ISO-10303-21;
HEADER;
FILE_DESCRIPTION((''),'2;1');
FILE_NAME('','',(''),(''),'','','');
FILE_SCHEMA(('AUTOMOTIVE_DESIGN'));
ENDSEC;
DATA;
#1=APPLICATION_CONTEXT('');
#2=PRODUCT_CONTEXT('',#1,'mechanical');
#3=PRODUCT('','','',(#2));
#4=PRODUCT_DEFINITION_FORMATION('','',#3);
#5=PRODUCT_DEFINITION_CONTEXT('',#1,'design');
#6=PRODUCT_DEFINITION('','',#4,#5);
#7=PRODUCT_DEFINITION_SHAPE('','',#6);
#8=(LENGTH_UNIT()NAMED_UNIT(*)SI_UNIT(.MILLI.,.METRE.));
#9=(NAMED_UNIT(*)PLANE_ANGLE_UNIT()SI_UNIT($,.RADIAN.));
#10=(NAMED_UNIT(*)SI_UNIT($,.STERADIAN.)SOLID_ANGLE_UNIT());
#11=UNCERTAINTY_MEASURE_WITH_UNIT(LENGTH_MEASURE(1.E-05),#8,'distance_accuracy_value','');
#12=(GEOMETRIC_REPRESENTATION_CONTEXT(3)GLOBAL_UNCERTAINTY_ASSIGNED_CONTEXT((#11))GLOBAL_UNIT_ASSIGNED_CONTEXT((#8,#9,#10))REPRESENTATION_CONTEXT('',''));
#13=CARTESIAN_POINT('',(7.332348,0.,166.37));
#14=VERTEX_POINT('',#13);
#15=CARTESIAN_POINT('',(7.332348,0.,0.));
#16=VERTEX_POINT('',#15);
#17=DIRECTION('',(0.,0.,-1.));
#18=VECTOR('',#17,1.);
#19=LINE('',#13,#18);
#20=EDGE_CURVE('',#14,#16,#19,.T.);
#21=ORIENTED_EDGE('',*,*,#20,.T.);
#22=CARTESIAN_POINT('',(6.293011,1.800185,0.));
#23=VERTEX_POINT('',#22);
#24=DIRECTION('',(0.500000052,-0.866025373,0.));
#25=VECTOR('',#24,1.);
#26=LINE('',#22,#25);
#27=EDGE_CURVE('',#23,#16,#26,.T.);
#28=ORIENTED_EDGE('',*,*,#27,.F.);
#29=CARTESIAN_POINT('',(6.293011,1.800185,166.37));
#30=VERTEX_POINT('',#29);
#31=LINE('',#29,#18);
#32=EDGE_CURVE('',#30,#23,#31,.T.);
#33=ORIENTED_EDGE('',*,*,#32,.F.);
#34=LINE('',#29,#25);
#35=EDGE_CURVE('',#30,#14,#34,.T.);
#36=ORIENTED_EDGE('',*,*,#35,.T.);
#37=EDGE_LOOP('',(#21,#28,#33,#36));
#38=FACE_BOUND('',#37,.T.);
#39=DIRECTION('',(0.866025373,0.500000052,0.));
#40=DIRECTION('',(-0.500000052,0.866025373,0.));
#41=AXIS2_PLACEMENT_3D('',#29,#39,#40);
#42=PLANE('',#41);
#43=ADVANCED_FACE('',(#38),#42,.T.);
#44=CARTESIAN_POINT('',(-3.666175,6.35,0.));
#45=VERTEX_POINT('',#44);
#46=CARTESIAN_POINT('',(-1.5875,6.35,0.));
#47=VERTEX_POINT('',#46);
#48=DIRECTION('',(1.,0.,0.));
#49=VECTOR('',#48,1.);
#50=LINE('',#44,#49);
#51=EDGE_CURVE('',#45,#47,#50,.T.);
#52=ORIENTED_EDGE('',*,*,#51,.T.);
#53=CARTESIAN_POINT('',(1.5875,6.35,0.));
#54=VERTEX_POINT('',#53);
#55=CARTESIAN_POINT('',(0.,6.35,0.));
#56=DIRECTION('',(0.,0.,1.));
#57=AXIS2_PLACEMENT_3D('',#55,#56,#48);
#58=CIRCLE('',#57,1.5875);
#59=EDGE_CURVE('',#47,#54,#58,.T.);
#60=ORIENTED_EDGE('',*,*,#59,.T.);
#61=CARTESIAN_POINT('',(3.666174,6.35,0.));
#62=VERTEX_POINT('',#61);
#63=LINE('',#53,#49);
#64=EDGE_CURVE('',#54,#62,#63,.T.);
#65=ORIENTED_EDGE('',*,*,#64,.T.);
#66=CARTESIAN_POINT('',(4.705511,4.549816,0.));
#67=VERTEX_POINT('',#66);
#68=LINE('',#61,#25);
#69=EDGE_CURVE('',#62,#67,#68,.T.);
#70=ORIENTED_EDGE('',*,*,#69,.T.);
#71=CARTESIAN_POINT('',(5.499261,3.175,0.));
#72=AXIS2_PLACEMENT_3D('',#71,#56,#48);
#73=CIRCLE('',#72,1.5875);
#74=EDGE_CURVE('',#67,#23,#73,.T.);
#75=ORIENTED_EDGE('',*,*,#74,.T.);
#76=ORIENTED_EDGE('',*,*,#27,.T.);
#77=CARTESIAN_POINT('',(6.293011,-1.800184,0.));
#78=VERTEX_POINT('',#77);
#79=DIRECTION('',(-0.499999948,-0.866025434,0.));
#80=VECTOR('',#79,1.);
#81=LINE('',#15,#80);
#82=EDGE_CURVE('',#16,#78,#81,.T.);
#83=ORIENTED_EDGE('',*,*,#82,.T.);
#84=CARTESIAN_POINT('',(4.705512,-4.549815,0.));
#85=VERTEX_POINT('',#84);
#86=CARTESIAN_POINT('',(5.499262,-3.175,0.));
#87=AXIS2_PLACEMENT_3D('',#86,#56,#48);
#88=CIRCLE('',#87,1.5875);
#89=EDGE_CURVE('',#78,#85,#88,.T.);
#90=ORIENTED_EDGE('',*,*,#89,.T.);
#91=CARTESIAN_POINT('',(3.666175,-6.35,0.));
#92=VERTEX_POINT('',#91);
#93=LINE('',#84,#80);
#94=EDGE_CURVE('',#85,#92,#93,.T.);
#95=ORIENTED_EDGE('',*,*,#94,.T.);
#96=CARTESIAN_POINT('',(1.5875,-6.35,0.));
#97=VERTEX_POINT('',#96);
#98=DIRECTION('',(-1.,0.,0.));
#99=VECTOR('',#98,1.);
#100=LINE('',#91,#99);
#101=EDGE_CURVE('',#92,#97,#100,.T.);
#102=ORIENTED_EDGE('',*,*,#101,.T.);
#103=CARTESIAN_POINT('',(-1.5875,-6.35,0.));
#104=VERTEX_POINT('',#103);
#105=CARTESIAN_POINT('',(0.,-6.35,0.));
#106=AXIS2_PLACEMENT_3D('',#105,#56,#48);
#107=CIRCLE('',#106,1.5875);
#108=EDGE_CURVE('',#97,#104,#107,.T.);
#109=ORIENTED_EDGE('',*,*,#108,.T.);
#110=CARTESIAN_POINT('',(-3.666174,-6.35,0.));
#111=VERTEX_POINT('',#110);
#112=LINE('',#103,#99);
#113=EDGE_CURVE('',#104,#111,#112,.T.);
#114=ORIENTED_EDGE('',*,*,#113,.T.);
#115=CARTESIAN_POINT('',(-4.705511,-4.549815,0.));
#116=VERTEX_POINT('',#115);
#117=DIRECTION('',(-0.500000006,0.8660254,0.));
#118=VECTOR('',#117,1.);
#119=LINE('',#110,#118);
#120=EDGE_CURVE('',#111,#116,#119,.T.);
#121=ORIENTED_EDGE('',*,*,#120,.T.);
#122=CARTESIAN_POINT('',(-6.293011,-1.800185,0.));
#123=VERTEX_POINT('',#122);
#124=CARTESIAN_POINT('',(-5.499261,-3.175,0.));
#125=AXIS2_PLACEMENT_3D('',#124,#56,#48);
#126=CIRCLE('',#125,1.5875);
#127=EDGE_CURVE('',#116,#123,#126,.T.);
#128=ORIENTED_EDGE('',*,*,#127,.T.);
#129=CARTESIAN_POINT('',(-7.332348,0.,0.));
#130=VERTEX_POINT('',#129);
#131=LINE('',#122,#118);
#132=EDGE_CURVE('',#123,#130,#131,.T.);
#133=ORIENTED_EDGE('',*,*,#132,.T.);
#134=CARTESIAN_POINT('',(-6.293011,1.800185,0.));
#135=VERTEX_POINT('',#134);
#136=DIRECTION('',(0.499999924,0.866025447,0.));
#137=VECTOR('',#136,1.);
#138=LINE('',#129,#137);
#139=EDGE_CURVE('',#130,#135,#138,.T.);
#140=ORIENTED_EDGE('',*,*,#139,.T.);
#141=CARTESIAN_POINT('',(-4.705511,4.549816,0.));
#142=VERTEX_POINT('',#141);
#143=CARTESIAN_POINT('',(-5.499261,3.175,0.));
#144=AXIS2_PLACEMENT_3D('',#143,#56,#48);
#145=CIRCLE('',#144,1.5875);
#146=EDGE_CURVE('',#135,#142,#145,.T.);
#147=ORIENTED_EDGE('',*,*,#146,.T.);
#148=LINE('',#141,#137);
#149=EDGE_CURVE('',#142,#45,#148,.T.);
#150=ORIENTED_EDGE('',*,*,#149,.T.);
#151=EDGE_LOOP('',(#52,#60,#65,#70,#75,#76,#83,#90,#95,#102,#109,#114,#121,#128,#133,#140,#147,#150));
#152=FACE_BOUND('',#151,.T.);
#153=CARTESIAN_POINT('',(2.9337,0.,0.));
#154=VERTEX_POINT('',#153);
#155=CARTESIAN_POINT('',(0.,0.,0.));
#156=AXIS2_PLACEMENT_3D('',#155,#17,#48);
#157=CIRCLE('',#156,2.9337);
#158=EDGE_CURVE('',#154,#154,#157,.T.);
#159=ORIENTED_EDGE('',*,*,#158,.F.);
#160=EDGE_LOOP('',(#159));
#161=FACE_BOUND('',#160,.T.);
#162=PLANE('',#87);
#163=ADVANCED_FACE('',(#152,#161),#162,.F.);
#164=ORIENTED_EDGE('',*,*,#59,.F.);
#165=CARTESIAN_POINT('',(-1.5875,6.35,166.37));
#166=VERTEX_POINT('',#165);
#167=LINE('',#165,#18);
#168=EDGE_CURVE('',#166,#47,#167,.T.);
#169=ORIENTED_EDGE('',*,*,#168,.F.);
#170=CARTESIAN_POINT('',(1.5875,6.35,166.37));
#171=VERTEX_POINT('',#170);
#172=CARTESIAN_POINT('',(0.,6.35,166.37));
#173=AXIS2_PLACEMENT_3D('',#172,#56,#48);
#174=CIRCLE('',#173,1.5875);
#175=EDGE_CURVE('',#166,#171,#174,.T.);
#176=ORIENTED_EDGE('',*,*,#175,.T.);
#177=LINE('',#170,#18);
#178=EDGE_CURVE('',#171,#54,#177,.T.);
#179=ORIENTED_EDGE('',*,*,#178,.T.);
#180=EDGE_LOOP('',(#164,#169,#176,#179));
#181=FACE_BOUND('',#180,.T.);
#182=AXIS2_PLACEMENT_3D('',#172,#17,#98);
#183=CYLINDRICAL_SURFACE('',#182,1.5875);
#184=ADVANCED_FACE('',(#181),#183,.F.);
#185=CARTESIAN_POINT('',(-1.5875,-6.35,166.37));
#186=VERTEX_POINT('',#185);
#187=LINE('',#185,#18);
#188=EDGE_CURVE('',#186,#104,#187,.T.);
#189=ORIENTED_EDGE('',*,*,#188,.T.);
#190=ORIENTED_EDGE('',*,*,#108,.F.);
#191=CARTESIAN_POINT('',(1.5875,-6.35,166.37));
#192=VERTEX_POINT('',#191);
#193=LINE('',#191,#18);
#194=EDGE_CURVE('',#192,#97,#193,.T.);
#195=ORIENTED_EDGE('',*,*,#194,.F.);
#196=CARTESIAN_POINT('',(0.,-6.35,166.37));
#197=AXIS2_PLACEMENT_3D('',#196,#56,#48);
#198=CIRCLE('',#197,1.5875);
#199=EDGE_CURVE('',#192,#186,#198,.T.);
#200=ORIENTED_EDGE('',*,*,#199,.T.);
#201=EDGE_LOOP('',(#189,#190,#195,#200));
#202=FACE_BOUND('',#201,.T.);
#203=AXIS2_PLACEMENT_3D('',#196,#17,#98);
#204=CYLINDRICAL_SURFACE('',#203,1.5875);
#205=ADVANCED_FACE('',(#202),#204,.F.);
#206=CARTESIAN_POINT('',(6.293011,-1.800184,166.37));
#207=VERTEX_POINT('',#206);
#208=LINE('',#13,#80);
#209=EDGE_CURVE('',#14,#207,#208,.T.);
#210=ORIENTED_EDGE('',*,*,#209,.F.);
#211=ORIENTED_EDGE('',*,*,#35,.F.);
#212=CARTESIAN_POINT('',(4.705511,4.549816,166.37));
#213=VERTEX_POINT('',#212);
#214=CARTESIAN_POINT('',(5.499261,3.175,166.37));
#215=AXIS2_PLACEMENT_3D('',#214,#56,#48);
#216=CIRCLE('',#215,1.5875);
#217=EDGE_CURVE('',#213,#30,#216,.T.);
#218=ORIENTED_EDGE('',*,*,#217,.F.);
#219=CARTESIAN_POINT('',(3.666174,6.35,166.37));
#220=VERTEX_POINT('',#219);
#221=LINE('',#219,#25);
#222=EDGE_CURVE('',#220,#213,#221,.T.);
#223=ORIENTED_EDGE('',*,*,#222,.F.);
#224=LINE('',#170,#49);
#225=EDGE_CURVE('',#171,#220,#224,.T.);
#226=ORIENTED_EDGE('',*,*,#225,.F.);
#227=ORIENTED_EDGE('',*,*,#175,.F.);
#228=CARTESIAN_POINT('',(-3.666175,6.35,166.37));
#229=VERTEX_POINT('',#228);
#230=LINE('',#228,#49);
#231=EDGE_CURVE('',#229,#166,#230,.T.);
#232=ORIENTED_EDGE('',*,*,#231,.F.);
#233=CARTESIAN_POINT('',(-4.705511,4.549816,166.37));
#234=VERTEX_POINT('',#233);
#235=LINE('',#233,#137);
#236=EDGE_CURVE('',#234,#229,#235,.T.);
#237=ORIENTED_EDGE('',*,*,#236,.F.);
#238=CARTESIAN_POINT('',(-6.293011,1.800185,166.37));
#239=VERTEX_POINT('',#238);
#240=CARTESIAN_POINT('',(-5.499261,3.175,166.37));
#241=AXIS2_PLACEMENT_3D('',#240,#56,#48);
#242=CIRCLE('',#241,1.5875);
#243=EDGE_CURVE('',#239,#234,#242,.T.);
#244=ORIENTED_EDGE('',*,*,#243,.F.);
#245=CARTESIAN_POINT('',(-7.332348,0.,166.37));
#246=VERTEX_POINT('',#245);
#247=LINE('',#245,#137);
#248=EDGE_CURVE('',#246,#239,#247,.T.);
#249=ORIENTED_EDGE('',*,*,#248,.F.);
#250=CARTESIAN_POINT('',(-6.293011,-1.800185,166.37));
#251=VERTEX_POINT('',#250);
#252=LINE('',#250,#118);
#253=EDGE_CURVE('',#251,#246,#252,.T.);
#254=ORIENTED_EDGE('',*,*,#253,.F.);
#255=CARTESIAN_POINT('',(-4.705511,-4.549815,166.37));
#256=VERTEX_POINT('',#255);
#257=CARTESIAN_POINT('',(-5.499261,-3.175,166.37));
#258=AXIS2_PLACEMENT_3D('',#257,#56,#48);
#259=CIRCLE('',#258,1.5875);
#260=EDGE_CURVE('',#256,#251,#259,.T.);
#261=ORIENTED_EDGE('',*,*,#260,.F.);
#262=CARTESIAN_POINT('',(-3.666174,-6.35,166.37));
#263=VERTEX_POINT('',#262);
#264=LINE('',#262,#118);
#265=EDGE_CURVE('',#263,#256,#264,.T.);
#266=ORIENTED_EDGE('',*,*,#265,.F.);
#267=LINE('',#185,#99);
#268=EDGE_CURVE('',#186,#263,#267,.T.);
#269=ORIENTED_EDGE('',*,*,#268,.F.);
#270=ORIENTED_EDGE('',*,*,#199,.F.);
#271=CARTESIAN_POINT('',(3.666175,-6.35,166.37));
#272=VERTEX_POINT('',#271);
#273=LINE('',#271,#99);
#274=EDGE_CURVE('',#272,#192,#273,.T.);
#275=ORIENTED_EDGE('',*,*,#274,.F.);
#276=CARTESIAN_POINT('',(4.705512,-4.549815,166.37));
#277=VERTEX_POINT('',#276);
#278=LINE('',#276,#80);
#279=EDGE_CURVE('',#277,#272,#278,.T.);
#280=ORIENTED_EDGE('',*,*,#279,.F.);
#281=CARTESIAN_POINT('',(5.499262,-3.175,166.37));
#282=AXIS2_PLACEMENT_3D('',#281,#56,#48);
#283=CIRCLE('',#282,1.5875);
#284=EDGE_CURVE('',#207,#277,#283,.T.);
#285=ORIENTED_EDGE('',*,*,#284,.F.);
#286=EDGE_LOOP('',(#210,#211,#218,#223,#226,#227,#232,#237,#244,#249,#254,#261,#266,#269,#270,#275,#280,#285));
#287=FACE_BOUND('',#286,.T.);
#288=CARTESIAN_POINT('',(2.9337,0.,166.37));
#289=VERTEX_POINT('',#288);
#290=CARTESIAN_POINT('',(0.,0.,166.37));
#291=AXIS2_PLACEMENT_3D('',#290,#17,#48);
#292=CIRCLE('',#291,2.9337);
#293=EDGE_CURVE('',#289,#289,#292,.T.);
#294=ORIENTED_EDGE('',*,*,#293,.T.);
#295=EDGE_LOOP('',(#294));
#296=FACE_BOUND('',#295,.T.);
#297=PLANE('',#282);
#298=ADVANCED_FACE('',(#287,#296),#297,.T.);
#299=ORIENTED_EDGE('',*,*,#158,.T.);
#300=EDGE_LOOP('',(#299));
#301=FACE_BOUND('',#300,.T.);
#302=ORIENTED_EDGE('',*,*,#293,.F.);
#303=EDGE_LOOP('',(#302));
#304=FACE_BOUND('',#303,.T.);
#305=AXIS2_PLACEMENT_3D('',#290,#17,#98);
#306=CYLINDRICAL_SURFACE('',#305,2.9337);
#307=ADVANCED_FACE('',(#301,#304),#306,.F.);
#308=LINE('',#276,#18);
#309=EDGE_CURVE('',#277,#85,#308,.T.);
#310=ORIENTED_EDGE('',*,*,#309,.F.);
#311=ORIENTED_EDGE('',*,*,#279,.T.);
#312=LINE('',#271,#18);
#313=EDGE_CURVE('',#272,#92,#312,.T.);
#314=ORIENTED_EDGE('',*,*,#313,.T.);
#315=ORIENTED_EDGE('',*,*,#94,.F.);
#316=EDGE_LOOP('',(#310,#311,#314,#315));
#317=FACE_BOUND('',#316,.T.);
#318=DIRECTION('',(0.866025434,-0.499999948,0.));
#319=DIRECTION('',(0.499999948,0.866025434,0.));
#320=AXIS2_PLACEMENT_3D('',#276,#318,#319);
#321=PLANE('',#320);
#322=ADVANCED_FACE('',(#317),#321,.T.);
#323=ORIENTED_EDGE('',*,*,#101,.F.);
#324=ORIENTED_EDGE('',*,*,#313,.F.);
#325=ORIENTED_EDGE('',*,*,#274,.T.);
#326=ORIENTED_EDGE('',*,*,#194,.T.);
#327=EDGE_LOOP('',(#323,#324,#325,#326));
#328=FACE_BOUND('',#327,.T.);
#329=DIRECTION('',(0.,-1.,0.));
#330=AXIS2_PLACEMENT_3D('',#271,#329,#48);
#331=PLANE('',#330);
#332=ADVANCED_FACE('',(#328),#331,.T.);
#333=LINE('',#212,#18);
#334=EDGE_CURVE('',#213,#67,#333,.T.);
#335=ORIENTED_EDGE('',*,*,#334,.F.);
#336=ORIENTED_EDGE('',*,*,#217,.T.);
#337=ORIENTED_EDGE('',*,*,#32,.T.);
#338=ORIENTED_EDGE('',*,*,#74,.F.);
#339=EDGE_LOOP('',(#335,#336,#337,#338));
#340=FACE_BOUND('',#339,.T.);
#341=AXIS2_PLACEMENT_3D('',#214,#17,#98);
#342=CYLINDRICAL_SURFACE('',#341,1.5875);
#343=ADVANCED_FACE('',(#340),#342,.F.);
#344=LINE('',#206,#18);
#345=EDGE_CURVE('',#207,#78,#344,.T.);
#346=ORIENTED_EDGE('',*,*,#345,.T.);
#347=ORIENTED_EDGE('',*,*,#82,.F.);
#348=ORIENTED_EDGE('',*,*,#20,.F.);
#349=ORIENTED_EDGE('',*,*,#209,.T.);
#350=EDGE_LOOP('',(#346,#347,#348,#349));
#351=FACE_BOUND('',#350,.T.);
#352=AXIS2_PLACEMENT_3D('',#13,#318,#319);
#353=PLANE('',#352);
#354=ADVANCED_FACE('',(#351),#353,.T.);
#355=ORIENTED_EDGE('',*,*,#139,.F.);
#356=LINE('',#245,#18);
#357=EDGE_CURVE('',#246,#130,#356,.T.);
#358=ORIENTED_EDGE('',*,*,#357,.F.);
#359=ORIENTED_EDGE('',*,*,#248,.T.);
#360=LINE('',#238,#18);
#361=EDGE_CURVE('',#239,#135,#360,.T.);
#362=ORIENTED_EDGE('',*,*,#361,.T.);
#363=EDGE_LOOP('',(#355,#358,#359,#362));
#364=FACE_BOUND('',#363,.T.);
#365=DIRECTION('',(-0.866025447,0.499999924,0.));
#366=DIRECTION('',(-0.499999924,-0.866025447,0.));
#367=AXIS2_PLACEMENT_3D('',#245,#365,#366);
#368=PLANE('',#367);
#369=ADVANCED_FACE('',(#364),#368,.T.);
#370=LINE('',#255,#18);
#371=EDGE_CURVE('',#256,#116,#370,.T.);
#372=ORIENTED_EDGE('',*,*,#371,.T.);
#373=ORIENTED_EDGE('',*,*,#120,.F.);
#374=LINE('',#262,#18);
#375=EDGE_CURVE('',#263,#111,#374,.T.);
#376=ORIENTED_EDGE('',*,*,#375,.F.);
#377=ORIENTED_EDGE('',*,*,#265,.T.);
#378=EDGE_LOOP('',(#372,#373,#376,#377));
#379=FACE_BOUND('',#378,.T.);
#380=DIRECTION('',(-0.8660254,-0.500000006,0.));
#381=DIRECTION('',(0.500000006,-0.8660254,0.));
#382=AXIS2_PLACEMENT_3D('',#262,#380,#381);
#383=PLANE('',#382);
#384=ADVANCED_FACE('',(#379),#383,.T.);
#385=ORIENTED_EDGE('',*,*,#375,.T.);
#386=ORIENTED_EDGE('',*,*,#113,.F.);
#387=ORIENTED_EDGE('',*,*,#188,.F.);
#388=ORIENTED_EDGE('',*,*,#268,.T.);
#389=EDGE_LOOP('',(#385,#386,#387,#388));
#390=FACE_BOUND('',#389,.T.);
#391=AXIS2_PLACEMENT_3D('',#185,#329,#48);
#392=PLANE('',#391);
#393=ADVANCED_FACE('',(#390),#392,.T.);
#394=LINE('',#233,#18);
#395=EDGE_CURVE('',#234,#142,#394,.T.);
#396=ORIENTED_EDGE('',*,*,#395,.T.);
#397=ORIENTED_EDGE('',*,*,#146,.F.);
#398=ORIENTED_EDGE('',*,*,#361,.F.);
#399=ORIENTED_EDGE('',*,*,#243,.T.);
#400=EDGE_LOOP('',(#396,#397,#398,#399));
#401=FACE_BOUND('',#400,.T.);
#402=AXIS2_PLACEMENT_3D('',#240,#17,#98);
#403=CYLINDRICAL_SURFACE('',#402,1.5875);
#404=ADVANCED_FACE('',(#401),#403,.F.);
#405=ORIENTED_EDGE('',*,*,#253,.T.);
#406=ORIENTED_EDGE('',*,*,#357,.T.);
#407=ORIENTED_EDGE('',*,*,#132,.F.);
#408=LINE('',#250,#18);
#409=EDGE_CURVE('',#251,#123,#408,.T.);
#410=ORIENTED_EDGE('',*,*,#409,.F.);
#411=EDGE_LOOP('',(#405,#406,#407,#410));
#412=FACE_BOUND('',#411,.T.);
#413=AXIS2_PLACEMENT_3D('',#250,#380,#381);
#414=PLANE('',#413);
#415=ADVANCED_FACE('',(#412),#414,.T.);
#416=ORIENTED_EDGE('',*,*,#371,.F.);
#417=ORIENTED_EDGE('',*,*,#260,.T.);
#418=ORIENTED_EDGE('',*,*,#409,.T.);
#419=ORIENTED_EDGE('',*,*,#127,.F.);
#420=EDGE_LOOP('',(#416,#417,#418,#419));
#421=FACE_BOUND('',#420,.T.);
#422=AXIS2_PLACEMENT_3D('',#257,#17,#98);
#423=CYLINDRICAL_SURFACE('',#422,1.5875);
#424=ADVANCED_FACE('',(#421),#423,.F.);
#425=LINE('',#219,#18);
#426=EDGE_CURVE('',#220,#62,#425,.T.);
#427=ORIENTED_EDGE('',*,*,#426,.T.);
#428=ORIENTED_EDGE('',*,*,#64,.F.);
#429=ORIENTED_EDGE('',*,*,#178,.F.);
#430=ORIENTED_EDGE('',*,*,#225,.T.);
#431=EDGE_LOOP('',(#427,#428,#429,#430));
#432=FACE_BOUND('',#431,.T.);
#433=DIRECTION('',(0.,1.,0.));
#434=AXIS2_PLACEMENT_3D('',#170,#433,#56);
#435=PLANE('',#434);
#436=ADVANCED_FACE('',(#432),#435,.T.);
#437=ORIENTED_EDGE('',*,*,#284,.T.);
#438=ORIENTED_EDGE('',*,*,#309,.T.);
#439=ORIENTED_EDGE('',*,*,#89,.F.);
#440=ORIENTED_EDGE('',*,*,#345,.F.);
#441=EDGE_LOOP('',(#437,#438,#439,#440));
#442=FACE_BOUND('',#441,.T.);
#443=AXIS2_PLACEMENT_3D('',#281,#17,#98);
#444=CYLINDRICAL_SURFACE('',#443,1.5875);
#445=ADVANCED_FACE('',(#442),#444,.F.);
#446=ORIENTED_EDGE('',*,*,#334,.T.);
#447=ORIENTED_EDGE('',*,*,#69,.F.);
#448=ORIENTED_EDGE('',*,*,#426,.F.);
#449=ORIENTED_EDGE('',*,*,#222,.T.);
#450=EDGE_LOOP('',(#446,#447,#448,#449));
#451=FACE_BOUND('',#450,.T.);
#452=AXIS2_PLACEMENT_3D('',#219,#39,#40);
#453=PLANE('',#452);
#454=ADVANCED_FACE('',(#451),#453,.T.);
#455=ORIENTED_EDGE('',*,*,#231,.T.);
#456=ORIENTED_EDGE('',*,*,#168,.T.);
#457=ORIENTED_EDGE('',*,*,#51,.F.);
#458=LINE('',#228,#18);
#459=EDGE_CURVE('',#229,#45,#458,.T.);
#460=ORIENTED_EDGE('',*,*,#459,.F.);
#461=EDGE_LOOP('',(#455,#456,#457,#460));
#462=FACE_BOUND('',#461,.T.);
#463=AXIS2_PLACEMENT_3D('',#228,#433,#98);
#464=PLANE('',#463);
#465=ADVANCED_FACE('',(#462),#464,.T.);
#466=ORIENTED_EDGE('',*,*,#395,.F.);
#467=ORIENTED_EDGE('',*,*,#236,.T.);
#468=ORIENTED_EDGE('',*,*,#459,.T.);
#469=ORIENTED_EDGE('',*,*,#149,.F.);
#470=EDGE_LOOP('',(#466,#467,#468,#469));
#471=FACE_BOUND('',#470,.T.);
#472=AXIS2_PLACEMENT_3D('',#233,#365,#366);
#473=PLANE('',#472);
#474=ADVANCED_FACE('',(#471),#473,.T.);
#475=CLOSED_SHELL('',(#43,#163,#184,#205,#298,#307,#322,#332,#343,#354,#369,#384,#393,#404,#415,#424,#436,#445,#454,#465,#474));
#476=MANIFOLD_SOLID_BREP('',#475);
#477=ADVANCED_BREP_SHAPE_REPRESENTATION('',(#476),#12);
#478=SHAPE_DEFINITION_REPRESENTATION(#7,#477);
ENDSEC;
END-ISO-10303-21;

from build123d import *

# Parameters (mm, degrees)
SKETCH1_R           = 2.9337
BOSS_EXTRUDE1_DEPTH = 166.37


with BuildPart() as part:
    # Sketch1 → Boss-Extrude1 (new body)
    with BuildSketch(Plane(origin=(0, 0, 0), x_dir=(-1, 0, 0), z_dir=(0, 0, -1))):
        with BuildLine():
            Line((-4.70551159, -4.549815043), (-3.666174546, -6.349999862))
            Line((-3.666174546, -6.349999862), (-1.587500385, -6.349999862))
            ThreePointArc((-1.587500385, -6.349999862), (-3.85e-07, -4.762499862), (1.587499615, -6.349999862))
            Line((1.587499615, -6.349999862), (3.666173825, -6.349999862))
            Line((3.666173825, -6.349999862), (4.705510942, -4.549815198))
            ThreePointArc((4.705510942, -4.549815198), (4.124445629, -2.381249865), (6.293010962, -1.800184552))
            Line((6.293010962, -1.800184552), (7.332348079, 1.12e-07))
            Line((7.332348079, 1.12e-07), (6.293011217, 1.800184727))
            ThreePointArc((6.293011217, 1.800184727), (4.124445939, 2.381250245), (4.705511457, 4.549815523))
            Line((4.705511457, 4.549815523), (3.666174546, 6.350000222))
            Line((3.666174546, 6.350000222), (1.587500385, 6.350000222))
            ThreePointArc((1.587500385, 6.350000222), (3.85e-07, 4.762500222), (-1.587499615, 6.350000222))
            Line((-1.587499615, 6.350000222), (-3.666173825, 6.350000222))
            Line((-3.666173825, 6.350000222), (-4.705511038, 4.549815614))
            ThreePointArc((-4.705511038, 4.549815614), (-4.124445841, 2.38125025), (-6.293011205, 1.800185053))
            Line((-6.293011205, 1.800185053), (-7.332348419, 4.44e-07))
            Line((-7.332348419, 4.44e-07), (-6.293011423, -1.80018429))
            ThreePointArc((-6.293011423, -1.80018429), (-4.12444613, -2.38124975), (-4.70551159, -4.549815043))
        make_face()
        Circle(SKETCH1_R, mode=Mode.SUBTRACT)
    extrude(amount=-BOSS_EXTRUDE1_DEPTH)


solid = part.part
